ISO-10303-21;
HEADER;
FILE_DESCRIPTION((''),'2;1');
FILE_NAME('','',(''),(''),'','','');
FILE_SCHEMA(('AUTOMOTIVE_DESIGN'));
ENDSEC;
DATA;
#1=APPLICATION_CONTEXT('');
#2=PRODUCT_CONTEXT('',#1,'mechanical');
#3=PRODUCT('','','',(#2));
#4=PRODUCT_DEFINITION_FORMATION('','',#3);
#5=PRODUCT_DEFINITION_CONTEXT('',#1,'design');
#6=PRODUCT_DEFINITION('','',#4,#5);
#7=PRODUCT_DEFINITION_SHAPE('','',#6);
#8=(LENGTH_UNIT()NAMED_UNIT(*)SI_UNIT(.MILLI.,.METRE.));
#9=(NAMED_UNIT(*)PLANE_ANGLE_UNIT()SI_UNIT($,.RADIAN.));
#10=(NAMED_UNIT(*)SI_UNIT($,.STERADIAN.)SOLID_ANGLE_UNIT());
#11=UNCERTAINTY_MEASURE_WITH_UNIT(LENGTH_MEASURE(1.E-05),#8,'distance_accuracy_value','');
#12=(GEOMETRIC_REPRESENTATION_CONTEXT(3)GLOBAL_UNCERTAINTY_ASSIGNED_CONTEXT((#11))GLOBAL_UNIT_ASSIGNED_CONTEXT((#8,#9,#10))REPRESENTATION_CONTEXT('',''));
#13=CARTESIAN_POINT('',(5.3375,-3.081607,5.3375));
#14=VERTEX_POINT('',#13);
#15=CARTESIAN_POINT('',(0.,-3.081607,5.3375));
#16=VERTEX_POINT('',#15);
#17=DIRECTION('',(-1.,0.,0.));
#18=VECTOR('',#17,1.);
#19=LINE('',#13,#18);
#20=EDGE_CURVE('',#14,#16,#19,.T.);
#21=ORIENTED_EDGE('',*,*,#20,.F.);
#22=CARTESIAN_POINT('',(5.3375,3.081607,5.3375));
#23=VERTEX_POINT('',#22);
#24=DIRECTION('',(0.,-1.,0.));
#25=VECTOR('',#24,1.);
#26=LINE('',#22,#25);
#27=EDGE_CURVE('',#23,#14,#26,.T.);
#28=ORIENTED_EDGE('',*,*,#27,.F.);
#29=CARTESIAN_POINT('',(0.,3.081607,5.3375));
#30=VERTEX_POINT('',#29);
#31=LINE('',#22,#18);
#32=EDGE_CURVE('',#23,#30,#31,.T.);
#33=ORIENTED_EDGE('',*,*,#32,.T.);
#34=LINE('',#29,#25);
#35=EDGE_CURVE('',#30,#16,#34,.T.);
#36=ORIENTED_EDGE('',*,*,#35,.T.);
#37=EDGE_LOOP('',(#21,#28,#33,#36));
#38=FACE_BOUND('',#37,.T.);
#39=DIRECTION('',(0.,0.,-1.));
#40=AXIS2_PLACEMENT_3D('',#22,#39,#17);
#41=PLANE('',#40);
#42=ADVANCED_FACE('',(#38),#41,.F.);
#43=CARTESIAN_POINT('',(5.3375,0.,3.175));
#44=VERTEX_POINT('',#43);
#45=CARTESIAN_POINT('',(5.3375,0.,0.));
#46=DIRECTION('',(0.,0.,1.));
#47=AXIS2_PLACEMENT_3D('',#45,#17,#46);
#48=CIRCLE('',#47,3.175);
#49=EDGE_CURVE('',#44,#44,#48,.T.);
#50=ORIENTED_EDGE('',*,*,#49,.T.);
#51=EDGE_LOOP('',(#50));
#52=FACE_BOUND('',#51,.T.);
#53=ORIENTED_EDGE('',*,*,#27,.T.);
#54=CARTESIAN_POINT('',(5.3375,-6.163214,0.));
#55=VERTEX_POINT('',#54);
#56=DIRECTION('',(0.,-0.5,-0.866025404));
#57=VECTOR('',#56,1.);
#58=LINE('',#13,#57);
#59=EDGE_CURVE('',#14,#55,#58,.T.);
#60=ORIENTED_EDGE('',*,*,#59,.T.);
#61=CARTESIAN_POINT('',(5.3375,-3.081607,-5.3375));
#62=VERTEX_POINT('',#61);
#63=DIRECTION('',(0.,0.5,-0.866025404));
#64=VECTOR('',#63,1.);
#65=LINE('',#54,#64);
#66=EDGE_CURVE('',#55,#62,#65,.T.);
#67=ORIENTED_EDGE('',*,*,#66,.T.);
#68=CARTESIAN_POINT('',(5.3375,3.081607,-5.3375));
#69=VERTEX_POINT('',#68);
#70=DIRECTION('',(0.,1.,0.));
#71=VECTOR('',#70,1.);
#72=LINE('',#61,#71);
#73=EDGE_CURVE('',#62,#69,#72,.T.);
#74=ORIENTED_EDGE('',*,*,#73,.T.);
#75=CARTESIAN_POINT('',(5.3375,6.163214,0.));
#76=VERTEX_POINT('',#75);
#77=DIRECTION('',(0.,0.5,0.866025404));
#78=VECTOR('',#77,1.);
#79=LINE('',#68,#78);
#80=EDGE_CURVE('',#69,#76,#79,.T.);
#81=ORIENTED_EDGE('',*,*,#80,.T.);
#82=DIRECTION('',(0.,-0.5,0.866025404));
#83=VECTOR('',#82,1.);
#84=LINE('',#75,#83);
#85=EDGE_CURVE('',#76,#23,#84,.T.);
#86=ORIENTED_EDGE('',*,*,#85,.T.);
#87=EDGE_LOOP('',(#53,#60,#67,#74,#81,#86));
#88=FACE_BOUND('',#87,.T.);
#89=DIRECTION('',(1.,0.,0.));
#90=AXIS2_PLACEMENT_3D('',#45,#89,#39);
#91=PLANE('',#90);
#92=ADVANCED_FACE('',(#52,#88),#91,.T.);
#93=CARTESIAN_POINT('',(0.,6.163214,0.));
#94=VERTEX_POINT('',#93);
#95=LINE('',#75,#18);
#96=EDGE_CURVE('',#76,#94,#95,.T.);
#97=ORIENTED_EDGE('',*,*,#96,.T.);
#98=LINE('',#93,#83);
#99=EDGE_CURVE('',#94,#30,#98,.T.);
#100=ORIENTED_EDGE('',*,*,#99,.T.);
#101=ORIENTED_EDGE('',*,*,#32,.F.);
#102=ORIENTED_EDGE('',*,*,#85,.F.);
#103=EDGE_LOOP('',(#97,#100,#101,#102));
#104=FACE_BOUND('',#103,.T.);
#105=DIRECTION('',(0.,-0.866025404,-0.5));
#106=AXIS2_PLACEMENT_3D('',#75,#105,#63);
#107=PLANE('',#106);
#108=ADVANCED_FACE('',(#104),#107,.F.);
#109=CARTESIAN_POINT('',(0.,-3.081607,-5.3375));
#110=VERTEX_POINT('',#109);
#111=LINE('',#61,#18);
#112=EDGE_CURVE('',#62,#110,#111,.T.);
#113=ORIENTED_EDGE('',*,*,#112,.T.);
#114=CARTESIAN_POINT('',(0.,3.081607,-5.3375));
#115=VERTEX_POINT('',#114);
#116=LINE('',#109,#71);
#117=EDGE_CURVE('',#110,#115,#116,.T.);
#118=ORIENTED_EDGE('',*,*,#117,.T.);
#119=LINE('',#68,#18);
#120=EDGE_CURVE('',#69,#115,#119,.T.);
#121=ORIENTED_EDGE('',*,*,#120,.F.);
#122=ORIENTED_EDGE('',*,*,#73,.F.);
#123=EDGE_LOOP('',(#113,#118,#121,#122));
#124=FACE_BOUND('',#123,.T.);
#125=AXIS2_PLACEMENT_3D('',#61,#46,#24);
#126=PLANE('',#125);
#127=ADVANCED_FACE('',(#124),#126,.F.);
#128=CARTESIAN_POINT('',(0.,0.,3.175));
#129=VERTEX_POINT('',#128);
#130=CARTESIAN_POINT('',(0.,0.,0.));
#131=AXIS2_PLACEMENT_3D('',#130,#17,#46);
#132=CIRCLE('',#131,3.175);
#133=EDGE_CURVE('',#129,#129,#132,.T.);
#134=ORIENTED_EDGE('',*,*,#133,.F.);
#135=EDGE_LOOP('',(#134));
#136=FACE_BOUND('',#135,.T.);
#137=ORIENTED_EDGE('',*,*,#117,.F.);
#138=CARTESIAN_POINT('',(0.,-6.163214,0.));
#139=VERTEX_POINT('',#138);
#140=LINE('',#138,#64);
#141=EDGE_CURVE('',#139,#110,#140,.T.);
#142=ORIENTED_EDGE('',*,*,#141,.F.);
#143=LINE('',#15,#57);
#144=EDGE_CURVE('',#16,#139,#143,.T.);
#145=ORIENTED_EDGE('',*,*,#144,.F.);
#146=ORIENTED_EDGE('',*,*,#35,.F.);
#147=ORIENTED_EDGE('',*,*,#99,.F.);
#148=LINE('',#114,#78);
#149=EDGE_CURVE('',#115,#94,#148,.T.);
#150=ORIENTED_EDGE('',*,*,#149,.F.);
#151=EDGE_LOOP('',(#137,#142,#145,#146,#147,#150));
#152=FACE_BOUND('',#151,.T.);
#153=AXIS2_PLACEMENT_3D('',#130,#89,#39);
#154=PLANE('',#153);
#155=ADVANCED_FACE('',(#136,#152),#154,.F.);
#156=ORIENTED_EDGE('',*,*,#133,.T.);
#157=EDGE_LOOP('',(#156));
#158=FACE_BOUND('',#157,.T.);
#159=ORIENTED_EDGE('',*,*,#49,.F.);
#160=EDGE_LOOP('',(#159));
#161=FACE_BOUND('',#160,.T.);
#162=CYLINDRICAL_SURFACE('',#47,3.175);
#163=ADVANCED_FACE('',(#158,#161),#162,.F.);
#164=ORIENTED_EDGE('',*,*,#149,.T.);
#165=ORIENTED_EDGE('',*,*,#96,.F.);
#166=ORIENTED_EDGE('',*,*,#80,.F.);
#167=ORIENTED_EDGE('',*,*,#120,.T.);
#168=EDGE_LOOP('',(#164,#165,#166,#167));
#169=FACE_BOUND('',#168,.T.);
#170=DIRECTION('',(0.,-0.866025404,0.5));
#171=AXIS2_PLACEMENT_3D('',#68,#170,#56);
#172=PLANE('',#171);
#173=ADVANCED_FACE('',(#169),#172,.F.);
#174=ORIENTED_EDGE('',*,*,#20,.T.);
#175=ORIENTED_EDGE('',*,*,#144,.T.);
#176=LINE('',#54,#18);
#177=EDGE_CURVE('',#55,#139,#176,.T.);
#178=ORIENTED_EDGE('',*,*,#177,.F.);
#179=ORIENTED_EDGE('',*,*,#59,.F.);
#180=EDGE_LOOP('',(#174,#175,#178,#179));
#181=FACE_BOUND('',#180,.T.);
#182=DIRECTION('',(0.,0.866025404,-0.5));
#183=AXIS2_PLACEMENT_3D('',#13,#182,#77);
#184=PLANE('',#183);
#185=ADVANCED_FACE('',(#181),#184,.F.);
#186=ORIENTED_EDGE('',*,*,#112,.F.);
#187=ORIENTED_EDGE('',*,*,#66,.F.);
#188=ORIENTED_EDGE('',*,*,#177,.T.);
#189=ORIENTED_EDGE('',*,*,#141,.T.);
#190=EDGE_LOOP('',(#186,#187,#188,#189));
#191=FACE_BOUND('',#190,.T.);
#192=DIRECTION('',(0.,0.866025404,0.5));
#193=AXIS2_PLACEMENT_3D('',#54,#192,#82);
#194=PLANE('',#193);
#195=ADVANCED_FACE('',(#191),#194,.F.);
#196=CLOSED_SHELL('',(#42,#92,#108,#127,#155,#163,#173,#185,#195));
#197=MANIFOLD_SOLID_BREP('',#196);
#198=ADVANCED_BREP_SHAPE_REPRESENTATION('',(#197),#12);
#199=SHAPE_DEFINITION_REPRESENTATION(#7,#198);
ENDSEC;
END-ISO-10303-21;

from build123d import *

# Parameters (mm, degrees)
HEX_HEAD_DEPTH     = 5.3375
SKETCH2_R          = 3.175
CUT_EXTRUDE1_DEPTH = 10.744897169


with BuildPart() as part:
    # Sketch1 → Hex_Head (new body)
    with BuildSketch(Plane(origin=(0, 0, 0), x_dir=(0, 0, -1), z_dir=(1, 0, 0))):
        Polygon((5.3375, -3.081607062), (5.3375, 3.081607062), (0, 6.163214124), (-5.3375, 3.081607062), (-5.3375, -3.081607062), (0, -6.163214124), align=None)
    extrude(amount=HEX_HEAD_DEPTH)

    # Sketch2 → Cut-Extrude1 (cut, through all)
    with BuildSketch(Plane.ZY):
        Circle(SKETCH2_R)
    extrude(amount=-CUT_EXTRUDE1_DEPTH, mode=Mode.SUBTRACT)


solid = part.part
